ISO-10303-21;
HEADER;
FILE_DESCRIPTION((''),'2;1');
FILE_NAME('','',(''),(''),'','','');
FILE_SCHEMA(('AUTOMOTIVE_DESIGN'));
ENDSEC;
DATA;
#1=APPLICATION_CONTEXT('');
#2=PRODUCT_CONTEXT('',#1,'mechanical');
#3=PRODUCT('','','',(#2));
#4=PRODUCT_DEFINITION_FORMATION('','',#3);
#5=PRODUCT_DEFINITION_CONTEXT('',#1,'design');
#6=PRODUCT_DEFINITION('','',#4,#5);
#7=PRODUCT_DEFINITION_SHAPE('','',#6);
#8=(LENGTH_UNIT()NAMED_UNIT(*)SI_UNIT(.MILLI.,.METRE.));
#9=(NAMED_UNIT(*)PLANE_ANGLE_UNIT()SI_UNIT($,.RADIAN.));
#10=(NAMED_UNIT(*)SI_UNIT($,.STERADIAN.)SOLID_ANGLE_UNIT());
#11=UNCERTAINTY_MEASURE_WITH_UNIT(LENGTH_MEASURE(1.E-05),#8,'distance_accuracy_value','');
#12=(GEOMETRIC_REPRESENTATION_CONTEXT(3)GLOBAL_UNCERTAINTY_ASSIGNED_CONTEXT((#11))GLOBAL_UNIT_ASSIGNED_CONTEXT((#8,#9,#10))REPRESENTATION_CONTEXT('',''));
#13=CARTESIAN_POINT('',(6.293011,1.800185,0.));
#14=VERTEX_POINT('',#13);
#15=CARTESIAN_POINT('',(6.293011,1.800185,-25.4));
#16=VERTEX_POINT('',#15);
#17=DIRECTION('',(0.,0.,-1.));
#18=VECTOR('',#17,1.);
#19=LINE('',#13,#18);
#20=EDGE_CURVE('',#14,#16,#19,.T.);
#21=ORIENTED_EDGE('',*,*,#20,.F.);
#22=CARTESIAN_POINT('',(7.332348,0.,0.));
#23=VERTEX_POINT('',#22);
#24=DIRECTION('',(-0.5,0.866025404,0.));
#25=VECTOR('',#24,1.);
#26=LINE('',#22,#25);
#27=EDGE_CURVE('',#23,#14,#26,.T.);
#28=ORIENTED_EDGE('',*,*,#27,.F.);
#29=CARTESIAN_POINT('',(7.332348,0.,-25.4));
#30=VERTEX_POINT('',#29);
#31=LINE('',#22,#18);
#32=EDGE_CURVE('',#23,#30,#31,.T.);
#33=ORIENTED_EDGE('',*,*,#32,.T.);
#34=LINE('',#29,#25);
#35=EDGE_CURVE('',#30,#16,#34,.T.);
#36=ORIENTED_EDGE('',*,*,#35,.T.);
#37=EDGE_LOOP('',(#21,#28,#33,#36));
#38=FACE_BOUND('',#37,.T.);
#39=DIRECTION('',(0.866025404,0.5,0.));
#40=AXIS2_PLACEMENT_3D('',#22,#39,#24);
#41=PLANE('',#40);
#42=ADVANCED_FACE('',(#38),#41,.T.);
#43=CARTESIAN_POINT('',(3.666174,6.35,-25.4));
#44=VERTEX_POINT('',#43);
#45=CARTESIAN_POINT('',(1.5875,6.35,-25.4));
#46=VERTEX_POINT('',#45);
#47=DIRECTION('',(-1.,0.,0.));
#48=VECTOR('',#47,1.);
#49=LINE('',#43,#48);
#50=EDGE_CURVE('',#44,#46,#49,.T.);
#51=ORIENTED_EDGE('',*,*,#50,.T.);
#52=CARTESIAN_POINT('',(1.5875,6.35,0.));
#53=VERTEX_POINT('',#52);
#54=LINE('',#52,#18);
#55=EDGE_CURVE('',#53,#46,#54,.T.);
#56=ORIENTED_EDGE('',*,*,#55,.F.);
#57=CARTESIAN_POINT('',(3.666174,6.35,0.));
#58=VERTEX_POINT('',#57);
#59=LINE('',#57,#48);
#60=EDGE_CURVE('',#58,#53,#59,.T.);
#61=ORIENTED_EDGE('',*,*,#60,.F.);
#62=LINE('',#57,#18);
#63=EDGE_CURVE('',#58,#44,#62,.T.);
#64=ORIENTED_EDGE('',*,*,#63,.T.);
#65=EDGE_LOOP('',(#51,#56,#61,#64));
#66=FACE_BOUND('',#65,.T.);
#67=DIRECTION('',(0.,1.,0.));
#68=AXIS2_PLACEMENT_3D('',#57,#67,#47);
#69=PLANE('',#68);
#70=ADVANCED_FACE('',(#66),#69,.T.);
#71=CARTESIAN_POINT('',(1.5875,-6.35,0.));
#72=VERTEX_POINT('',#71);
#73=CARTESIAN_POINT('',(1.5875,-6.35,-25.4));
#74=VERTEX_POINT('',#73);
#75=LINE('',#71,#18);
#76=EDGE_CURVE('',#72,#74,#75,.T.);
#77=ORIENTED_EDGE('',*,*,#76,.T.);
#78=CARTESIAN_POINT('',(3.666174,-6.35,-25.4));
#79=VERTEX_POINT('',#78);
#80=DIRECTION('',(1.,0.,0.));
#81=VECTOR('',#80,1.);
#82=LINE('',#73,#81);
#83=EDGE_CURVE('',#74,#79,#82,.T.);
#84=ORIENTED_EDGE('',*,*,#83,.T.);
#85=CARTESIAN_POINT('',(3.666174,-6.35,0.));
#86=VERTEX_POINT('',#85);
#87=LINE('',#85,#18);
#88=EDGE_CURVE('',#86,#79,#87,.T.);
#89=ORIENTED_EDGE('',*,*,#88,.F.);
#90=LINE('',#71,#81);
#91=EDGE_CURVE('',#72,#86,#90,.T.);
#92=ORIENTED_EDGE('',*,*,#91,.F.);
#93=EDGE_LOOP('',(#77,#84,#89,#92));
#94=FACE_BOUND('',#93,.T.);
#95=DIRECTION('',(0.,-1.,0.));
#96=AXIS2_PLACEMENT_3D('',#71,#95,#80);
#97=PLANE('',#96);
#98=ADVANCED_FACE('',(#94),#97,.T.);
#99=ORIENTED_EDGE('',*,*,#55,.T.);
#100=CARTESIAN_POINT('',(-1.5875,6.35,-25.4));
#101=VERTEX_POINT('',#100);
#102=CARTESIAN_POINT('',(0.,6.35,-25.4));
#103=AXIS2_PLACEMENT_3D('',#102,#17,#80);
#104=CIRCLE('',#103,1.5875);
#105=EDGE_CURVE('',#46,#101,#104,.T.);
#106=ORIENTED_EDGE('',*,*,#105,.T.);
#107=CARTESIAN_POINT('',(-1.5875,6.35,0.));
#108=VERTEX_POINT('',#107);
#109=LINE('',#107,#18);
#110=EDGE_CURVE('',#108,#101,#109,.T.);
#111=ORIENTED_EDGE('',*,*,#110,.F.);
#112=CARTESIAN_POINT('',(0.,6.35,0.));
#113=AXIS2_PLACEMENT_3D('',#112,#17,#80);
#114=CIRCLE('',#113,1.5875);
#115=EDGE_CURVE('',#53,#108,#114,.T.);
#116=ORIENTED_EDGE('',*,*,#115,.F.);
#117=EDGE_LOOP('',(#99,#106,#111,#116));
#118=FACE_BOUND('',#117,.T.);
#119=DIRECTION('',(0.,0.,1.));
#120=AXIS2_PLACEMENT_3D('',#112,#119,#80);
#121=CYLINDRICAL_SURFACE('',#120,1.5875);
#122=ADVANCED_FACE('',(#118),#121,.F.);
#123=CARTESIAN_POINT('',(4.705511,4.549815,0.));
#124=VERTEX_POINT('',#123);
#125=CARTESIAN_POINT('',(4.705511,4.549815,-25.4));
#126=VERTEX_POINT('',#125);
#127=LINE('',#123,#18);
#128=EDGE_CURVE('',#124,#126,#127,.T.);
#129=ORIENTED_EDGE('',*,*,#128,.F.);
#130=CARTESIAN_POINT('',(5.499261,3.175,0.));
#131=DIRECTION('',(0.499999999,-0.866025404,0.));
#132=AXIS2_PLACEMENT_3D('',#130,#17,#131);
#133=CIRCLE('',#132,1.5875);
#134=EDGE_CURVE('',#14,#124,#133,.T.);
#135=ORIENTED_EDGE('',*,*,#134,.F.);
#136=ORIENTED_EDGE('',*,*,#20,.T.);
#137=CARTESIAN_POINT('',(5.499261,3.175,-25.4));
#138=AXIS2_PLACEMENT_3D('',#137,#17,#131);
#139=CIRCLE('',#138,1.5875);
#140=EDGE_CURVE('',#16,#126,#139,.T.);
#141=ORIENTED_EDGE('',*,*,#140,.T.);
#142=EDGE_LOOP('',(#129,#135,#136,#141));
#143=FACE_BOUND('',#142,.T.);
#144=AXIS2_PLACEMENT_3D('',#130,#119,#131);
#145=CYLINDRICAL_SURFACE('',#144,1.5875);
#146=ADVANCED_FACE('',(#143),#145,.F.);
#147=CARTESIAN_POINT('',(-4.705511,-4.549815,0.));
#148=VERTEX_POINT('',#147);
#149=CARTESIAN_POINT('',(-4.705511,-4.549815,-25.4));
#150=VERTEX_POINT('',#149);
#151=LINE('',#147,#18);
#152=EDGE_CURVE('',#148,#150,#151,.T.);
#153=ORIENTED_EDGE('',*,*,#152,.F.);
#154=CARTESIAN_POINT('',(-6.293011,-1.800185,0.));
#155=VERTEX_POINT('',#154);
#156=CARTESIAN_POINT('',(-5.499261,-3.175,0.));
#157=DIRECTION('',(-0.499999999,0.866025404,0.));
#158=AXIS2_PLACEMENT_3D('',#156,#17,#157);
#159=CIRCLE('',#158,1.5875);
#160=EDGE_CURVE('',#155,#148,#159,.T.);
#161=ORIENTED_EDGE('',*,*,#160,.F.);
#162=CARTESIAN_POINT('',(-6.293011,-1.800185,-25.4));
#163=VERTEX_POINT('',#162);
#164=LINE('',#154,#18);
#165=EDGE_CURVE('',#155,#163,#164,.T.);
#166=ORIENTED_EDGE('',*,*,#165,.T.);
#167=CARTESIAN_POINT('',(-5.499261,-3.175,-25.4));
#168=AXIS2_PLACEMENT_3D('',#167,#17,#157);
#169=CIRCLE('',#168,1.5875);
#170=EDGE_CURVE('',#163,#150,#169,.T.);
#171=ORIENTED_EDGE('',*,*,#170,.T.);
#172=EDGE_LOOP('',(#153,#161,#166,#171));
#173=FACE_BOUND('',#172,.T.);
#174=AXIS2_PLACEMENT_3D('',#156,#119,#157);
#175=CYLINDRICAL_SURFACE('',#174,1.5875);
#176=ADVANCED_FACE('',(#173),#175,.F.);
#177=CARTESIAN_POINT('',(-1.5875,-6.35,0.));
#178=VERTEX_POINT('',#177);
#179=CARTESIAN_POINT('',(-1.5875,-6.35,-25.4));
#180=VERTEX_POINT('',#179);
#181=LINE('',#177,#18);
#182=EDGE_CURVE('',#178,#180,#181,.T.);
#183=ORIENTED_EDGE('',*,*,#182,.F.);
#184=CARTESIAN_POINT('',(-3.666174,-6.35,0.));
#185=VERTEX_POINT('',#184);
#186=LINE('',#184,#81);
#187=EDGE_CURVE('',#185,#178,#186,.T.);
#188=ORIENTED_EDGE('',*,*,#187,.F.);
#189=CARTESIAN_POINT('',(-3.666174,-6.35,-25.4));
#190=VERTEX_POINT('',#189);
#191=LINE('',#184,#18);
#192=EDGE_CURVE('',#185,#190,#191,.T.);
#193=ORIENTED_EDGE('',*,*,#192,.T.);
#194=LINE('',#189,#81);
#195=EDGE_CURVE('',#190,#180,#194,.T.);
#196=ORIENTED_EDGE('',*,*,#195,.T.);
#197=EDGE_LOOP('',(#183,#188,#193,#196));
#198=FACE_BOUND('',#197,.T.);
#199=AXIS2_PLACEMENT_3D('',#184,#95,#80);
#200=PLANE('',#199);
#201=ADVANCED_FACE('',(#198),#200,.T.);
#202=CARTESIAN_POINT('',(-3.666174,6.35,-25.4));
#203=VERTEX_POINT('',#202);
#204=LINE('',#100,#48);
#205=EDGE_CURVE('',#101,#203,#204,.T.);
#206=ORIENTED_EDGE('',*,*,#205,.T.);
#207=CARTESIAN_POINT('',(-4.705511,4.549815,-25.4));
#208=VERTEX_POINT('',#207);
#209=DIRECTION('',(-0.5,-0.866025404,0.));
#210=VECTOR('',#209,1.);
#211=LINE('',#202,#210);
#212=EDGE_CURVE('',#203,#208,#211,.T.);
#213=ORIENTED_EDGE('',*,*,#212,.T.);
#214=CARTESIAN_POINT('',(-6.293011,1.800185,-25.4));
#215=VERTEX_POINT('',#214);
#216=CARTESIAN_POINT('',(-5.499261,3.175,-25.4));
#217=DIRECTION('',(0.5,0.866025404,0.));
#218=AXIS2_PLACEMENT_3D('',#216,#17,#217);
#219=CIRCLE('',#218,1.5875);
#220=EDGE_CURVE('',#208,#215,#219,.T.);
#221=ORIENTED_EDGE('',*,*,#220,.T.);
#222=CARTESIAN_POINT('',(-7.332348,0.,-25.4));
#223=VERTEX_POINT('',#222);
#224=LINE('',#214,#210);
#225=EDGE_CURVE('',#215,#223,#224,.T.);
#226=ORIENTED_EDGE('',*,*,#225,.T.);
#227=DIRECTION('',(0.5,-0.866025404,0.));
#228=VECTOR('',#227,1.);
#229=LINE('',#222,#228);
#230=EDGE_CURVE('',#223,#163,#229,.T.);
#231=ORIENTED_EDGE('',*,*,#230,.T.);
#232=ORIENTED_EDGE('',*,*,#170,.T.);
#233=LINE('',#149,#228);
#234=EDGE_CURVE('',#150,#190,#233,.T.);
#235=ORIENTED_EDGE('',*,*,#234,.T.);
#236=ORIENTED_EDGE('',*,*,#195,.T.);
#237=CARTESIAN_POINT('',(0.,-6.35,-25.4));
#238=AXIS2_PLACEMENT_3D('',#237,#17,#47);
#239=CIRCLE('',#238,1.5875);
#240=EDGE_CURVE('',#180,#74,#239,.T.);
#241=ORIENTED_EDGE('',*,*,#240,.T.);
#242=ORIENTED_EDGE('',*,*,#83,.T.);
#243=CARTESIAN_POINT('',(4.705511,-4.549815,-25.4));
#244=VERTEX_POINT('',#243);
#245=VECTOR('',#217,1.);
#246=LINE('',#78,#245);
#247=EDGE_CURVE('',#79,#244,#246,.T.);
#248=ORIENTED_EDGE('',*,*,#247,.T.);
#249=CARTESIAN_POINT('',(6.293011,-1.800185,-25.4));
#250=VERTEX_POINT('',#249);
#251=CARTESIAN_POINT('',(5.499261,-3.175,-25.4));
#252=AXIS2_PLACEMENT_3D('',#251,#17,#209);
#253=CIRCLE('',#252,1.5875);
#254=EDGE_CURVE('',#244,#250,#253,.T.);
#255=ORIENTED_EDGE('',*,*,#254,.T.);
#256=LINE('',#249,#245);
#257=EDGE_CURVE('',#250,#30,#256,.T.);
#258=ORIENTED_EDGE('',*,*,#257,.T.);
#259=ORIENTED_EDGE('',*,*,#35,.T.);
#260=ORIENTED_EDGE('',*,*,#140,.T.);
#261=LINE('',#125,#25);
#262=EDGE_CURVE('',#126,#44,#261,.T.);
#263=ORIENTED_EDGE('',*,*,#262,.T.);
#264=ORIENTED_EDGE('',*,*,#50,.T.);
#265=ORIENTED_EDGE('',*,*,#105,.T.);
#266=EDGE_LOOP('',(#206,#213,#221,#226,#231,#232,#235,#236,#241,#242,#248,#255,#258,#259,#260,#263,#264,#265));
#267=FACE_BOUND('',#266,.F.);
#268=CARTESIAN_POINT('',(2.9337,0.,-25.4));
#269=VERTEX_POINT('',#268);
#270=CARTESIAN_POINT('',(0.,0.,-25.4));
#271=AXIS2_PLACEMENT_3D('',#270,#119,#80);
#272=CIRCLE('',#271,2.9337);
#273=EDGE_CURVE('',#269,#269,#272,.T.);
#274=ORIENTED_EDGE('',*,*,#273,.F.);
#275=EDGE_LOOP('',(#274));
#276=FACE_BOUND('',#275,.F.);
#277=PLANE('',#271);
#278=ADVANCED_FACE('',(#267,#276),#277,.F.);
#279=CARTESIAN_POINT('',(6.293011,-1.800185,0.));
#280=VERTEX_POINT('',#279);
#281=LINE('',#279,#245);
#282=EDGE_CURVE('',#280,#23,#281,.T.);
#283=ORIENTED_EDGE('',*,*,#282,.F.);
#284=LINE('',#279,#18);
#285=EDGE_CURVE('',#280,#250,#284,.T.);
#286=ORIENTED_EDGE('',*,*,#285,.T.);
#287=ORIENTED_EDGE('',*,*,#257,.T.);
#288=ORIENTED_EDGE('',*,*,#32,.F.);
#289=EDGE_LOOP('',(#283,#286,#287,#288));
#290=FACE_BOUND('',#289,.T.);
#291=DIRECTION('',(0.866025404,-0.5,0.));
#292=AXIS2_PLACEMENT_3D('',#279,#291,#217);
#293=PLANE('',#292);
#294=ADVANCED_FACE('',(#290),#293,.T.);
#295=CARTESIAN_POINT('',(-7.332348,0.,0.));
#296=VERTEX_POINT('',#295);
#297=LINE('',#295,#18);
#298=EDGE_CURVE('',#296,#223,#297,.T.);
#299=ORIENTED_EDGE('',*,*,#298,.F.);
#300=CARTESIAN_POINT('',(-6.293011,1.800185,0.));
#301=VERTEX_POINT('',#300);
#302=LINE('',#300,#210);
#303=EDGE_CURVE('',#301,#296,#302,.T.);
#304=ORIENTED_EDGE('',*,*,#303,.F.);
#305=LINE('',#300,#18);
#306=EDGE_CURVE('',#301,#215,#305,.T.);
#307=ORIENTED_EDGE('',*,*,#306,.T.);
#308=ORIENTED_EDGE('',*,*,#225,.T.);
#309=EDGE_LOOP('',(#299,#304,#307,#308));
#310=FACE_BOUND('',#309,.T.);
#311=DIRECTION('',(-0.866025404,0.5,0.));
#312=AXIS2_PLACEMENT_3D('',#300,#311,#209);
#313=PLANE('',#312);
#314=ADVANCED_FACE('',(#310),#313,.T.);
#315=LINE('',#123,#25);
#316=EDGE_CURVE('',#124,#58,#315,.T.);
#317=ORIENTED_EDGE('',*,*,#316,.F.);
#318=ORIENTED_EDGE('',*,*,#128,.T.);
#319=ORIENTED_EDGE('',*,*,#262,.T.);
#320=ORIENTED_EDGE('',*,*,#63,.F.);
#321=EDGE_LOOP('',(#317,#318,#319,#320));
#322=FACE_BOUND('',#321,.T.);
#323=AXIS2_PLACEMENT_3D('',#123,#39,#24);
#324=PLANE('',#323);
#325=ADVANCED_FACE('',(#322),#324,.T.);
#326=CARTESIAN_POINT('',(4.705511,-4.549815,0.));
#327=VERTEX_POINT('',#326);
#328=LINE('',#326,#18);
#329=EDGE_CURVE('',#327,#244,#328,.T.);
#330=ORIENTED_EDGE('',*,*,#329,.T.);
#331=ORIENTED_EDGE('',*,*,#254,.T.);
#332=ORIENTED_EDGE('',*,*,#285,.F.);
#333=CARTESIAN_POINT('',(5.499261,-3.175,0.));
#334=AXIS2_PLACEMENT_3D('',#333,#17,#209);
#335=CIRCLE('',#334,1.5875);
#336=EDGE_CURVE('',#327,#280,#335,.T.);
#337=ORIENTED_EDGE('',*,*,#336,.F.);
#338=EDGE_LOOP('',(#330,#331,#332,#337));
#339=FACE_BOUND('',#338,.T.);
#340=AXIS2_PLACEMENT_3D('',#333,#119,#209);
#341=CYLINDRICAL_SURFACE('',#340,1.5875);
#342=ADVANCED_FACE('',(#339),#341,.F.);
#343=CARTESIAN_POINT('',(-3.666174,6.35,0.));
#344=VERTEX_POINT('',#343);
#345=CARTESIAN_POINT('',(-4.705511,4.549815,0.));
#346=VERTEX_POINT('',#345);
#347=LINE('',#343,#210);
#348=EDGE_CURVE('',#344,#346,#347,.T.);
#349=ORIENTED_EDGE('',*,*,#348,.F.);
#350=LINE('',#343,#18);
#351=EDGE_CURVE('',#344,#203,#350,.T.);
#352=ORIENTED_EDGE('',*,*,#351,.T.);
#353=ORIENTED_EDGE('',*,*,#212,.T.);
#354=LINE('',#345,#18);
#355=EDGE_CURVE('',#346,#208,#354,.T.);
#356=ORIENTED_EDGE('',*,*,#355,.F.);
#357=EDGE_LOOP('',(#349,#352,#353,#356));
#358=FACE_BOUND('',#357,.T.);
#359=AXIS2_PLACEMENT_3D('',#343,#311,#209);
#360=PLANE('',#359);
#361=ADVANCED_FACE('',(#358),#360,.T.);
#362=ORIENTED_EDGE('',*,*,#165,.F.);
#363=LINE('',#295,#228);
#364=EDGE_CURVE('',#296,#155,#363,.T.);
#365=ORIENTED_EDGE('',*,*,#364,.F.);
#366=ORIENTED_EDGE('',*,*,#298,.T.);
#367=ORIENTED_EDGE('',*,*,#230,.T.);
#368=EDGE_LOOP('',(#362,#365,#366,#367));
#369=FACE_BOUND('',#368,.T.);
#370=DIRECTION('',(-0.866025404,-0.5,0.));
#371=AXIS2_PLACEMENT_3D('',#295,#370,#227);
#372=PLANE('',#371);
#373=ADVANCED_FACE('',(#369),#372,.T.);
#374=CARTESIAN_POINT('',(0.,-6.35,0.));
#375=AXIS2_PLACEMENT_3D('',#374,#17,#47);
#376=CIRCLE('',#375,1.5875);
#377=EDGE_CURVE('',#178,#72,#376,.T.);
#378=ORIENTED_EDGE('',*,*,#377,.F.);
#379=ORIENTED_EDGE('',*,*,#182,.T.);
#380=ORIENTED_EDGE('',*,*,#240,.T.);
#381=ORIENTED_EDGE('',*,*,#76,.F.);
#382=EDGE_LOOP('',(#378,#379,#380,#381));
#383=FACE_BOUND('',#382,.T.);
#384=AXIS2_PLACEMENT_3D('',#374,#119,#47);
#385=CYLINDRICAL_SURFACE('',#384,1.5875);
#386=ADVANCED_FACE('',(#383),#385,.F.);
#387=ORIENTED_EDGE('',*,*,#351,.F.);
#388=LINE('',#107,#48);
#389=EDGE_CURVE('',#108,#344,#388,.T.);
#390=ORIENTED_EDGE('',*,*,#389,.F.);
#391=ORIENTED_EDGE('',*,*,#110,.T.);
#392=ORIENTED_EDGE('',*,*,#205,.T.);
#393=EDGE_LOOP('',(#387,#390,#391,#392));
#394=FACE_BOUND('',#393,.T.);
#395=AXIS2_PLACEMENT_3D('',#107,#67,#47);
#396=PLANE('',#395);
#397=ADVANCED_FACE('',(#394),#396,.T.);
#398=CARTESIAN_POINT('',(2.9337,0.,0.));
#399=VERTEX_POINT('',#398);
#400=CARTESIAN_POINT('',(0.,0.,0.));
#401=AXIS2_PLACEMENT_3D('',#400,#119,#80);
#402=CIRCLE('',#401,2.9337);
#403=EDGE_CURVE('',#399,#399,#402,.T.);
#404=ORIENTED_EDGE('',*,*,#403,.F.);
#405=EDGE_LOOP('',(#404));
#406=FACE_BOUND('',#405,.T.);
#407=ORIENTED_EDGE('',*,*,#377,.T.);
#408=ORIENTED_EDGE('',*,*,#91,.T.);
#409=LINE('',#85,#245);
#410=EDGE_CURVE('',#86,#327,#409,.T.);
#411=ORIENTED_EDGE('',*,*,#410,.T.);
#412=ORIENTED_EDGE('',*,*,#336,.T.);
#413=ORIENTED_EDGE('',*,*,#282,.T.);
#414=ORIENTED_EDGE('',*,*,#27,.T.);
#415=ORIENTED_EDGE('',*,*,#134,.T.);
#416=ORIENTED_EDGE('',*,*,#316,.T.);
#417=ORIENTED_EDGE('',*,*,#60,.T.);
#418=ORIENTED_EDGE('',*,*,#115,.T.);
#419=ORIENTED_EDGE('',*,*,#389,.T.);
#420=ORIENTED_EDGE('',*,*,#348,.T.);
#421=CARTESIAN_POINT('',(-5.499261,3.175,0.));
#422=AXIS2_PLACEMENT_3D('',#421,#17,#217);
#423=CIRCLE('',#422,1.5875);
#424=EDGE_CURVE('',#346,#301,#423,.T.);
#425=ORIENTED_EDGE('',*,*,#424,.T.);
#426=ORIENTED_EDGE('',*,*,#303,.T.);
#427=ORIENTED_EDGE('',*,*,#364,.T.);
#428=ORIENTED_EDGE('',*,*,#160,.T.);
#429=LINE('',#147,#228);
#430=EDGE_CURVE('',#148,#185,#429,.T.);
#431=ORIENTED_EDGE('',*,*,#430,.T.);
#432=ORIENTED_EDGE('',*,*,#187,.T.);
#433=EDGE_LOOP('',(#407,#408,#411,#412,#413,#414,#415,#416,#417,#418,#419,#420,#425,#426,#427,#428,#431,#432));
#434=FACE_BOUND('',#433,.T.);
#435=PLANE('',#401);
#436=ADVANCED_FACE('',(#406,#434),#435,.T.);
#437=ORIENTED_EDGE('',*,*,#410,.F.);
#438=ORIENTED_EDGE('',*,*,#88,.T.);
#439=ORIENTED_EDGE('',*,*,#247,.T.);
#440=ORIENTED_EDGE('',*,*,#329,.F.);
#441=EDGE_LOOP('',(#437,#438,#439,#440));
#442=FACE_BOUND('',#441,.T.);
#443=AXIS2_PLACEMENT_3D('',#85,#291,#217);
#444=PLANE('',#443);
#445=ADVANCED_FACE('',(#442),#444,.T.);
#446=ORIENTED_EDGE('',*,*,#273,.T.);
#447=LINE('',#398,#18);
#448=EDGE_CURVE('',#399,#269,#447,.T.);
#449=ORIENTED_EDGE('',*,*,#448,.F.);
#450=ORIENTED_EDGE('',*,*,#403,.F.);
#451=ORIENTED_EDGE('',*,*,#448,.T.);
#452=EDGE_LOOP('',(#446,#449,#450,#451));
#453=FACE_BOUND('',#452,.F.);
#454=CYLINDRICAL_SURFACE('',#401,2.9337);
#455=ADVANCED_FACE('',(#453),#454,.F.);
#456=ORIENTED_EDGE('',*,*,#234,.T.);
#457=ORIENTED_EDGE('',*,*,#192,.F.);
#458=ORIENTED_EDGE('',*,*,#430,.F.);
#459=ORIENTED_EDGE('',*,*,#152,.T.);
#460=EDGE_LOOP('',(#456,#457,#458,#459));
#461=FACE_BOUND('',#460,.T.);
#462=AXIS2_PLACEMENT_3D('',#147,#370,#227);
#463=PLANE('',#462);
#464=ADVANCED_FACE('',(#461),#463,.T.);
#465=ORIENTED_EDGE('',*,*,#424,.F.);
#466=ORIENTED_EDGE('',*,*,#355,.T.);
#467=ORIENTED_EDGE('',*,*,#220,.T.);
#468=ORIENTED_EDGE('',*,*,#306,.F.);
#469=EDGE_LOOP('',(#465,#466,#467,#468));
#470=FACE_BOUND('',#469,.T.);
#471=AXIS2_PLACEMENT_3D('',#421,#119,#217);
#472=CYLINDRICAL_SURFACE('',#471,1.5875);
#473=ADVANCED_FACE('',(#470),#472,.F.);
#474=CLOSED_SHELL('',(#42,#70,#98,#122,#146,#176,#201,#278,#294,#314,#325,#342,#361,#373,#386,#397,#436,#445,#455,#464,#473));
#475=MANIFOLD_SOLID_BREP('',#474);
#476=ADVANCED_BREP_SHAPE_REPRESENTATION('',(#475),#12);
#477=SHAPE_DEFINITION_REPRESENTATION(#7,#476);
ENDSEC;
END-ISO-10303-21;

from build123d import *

# Parameters (mm, degrees)
SKETCH1_R           = 2.9337
BOSS_EXTRUDE1_DEPTH = 25.4


with BuildPart() as part:
    # Sketch1 → Boss-Extrude1 (new body)
    with BuildSketch(Plane.XY):
        with BuildLine():
            Line((-4.705511314, -4.549815329), (-3.666174209, -6.35))
            Line((-3.666174209, -6.35), (-1.5875, -6.35))
            ThreePointArc((-1.5875, -6.35), (0, -4.7625), (1.5875, -6.35))
            Line((1.5875, -6.35), (3.666174209, -6.35))
            Line((3.666174209, -6.35), (4.705511314, -4.549815329))
            ThreePointArc((4.705511314, -4.549815329), (4.124445986, -2.38125), (6.293011314, -1.800184671))
            Line((6.293011314, -1.800184671), (7.332348419, 0))
            Line((7.332348419, 0), (6.293011314, 1.800184671))
            ThreePointArc((6.293011314, 1.800184671), (4.124445986, 2.38125), (4.705511314, 4.549815329))
            Line((4.705511314, 4.549815329), (3.666174209, 6.35))
            Line((3.666174209, 6.35), (1.5875, 6.35))
            ThreePointArc((1.5875, 6.35), (0, 4.7625), (-1.5875, 6.35))
            Line((-1.5875, 6.35), (-3.666174209, 6.35))
            Line((-3.666174209, 6.35), (-4.705511314, 4.549815329))
            ThreePointArc((-4.705511314, 4.549815329), (-4.124445986, 2.38125), (-6.293011314, 1.800184671))
            Line((-6.293011314, 1.800184671), (-7.332348419, 0))
            Line((-7.332348419, 0), (-6.293011314, -1.800184671))
            ThreePointArc((-6.293011314, -1.800184671), (-4.124445986, -2.38125), (-4.705511314, -4.549815329))
        make_face()
        Circle(SKETCH1_R, mode=Mode.SUBTRACT)
    extrude(amount=-BOSS_EXTRUDE1_DEPTH)


solid = part.part
